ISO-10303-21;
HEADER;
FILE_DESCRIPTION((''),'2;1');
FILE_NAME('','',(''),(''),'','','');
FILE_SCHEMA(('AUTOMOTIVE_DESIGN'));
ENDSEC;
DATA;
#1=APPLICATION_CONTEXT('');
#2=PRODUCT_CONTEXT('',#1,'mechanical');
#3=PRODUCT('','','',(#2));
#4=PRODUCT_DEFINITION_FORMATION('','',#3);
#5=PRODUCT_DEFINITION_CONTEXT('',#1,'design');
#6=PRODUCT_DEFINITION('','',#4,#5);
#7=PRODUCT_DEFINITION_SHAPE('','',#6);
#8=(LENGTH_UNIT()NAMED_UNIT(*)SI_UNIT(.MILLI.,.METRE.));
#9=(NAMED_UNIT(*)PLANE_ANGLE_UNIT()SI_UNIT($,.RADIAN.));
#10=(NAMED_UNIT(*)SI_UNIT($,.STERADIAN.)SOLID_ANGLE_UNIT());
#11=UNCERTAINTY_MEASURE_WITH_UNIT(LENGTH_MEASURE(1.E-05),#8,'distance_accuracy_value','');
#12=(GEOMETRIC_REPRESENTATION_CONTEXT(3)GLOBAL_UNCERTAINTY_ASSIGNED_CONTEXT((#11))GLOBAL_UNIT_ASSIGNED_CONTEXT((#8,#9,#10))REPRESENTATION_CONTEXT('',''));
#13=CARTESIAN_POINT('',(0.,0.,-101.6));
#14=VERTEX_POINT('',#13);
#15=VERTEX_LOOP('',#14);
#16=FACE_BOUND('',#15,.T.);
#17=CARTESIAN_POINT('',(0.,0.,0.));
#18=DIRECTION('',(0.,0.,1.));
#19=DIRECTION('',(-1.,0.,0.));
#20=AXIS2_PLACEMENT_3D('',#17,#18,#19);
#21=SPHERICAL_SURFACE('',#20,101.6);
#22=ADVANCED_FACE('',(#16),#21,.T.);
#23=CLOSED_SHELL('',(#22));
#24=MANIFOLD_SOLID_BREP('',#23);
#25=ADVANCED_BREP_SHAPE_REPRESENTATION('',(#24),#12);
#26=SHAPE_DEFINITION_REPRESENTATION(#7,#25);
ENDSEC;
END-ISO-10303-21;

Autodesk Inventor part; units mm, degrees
ref_plane "YZ Plane" through (0, 0, 0) normal (1, 0, 0) x (0, 1, 0)
ref_plane "XZ Plane" through (0, 0, 0) normal (0, 1, 0) x (-1, 0, 0)
ref_plane "XY Plane" through (0, 0, 0) normal (0, 0, 1) x (1, 0, 0)
sketch "Sketch1" plane through (0, 0, 0) normal (0, 1, 0) x (-1, 0, 0)
  circle A0 centre (0, 0) radius 101.6
  line L0 (0, -101.6) -> (0, 101.6)
  dimension "d0" = 203.2
  dimension "d1" = 0
revolve "Revolution1" add sketch "Sketch1" angle 360 about axis through (0, 0, -101.6) along (0, 0, 1)
properties part number "Ball" material "Polyurethane Foam"
